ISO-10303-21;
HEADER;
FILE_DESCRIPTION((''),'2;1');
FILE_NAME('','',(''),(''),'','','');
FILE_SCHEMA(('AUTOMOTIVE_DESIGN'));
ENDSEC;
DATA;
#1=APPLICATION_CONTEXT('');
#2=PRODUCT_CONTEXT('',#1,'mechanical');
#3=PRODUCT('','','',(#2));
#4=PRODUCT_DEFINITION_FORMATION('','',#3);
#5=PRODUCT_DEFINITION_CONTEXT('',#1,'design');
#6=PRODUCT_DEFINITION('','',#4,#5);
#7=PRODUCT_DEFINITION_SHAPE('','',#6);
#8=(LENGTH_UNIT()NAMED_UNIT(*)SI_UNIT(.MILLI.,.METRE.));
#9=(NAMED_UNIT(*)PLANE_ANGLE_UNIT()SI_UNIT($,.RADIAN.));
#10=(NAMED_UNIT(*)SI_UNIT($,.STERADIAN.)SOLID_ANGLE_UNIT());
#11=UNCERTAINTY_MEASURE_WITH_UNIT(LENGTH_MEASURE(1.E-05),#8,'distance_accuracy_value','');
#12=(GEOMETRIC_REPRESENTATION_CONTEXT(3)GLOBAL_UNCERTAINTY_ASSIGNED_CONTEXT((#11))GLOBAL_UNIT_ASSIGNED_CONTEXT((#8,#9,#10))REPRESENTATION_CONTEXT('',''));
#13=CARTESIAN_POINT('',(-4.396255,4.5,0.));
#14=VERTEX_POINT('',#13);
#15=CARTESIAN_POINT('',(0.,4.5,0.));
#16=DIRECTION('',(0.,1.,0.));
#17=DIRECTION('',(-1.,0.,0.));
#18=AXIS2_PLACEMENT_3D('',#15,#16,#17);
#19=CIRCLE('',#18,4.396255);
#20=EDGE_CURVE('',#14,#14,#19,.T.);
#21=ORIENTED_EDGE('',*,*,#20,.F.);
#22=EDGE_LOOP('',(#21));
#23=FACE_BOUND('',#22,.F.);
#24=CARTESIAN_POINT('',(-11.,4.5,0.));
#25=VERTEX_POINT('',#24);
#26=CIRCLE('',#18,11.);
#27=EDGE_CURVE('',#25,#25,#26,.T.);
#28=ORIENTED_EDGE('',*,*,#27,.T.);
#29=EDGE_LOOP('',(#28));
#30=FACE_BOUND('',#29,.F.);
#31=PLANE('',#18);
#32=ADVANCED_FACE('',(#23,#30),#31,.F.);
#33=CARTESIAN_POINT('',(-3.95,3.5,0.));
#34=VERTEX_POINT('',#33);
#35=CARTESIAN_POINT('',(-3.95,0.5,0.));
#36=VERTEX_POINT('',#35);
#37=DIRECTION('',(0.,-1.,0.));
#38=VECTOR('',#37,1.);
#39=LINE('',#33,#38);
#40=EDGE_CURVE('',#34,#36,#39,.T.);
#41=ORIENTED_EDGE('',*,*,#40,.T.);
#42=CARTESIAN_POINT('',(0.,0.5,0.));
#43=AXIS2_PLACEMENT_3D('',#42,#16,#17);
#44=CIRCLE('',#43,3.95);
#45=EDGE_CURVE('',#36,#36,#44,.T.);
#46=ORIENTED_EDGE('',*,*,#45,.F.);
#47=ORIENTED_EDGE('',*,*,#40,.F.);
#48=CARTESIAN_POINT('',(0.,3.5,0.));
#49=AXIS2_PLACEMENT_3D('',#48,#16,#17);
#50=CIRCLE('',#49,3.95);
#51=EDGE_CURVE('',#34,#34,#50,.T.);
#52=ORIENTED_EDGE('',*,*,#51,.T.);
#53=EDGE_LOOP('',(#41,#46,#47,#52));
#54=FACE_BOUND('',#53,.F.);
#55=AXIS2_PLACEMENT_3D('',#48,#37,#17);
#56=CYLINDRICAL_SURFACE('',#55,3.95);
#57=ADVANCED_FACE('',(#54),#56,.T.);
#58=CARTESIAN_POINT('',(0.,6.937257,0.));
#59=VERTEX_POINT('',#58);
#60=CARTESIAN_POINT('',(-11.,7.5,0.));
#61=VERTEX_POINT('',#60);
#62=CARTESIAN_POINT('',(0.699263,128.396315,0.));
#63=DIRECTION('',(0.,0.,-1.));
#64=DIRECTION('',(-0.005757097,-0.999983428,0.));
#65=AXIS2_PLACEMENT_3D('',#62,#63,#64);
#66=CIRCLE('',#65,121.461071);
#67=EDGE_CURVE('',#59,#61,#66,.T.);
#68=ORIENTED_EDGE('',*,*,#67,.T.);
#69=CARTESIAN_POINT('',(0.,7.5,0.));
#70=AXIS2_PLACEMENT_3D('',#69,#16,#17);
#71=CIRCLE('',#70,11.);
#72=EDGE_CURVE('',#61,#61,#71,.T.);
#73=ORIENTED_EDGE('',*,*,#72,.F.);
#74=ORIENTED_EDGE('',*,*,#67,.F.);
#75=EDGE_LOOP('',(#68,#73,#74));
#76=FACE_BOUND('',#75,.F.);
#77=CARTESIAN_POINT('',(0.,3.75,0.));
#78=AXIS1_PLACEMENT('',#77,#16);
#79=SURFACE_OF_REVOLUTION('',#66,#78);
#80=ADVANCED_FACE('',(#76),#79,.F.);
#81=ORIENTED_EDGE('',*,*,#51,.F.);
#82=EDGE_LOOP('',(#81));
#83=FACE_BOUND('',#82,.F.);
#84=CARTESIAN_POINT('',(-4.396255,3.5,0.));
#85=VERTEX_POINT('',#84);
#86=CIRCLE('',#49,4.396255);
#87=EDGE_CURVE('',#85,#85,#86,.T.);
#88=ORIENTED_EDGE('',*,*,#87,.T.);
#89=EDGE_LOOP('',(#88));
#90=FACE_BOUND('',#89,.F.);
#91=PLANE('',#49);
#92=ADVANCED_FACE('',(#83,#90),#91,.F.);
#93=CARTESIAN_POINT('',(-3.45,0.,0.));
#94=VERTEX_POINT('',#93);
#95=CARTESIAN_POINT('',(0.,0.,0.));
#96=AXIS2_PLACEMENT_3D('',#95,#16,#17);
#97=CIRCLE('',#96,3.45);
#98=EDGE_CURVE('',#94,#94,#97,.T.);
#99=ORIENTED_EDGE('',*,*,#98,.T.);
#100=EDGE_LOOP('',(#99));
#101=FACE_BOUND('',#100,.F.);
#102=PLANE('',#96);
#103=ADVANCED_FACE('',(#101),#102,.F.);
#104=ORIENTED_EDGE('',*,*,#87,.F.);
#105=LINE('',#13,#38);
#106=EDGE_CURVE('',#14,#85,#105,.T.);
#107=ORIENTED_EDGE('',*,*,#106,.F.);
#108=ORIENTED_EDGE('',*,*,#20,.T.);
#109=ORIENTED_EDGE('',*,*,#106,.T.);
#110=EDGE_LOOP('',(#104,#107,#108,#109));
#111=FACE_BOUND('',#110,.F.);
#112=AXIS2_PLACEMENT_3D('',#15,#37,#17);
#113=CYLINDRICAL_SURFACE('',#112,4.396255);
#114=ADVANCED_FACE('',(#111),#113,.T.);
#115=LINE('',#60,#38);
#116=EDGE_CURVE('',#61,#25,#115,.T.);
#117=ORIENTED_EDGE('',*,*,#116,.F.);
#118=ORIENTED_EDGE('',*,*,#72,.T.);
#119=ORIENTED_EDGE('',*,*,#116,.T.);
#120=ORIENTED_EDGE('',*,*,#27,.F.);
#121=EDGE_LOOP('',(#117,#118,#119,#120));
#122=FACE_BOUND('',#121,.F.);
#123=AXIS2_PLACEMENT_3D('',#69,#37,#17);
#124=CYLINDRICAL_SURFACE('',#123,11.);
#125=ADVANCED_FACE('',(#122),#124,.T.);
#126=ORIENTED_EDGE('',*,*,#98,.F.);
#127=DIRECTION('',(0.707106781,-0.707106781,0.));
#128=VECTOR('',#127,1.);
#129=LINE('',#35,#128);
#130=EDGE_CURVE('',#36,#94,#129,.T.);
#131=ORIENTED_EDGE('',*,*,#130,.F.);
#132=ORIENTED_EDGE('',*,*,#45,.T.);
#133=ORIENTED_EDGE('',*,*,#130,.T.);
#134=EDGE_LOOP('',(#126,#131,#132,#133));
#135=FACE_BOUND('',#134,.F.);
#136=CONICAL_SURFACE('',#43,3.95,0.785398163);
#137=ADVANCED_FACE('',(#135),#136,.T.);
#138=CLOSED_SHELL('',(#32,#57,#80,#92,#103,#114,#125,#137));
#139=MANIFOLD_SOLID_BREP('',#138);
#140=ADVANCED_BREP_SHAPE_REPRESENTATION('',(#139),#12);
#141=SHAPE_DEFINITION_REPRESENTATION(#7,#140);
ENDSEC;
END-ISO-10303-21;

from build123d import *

# Parameters (mm, degrees)
F2_SIZE = 0.5


with BuildPart() as f1:
    # F0 (on Top) → F1 (revolve)
    with BuildSketch(Plane.XY):
        with BuildLine():
            ThreePointArc((0, 6.937257), (-5.506382, 7.093876), (-11, 7.5))
            Line((-11, 7.5), (-11, 4.5))
            Line((-11, 4.5), (-4.396255, 4.5))
            Line((-4.396255, 4.5), (-4.396255, 3.5))
            Line((-4.396255, 3.5), (-3.95, 3.5))
            Line((-3.95, 3.5), (-3.95, 0))
            Line((-3.95, 0), (0, 0))
            Line((0, 0), (0, 6.937257))
        make_face()
    revolve(axis=Axis((0, 3.75, 0), (0, 1, 0)))

    # F2
    f2_edges = [f1.edges().sort_by_distance(p)[0] for p in [
        (3.95, 0, 0),
    ]]
    chamfer(f2_edges, length=F2_SIZE)


solid = f1.part
